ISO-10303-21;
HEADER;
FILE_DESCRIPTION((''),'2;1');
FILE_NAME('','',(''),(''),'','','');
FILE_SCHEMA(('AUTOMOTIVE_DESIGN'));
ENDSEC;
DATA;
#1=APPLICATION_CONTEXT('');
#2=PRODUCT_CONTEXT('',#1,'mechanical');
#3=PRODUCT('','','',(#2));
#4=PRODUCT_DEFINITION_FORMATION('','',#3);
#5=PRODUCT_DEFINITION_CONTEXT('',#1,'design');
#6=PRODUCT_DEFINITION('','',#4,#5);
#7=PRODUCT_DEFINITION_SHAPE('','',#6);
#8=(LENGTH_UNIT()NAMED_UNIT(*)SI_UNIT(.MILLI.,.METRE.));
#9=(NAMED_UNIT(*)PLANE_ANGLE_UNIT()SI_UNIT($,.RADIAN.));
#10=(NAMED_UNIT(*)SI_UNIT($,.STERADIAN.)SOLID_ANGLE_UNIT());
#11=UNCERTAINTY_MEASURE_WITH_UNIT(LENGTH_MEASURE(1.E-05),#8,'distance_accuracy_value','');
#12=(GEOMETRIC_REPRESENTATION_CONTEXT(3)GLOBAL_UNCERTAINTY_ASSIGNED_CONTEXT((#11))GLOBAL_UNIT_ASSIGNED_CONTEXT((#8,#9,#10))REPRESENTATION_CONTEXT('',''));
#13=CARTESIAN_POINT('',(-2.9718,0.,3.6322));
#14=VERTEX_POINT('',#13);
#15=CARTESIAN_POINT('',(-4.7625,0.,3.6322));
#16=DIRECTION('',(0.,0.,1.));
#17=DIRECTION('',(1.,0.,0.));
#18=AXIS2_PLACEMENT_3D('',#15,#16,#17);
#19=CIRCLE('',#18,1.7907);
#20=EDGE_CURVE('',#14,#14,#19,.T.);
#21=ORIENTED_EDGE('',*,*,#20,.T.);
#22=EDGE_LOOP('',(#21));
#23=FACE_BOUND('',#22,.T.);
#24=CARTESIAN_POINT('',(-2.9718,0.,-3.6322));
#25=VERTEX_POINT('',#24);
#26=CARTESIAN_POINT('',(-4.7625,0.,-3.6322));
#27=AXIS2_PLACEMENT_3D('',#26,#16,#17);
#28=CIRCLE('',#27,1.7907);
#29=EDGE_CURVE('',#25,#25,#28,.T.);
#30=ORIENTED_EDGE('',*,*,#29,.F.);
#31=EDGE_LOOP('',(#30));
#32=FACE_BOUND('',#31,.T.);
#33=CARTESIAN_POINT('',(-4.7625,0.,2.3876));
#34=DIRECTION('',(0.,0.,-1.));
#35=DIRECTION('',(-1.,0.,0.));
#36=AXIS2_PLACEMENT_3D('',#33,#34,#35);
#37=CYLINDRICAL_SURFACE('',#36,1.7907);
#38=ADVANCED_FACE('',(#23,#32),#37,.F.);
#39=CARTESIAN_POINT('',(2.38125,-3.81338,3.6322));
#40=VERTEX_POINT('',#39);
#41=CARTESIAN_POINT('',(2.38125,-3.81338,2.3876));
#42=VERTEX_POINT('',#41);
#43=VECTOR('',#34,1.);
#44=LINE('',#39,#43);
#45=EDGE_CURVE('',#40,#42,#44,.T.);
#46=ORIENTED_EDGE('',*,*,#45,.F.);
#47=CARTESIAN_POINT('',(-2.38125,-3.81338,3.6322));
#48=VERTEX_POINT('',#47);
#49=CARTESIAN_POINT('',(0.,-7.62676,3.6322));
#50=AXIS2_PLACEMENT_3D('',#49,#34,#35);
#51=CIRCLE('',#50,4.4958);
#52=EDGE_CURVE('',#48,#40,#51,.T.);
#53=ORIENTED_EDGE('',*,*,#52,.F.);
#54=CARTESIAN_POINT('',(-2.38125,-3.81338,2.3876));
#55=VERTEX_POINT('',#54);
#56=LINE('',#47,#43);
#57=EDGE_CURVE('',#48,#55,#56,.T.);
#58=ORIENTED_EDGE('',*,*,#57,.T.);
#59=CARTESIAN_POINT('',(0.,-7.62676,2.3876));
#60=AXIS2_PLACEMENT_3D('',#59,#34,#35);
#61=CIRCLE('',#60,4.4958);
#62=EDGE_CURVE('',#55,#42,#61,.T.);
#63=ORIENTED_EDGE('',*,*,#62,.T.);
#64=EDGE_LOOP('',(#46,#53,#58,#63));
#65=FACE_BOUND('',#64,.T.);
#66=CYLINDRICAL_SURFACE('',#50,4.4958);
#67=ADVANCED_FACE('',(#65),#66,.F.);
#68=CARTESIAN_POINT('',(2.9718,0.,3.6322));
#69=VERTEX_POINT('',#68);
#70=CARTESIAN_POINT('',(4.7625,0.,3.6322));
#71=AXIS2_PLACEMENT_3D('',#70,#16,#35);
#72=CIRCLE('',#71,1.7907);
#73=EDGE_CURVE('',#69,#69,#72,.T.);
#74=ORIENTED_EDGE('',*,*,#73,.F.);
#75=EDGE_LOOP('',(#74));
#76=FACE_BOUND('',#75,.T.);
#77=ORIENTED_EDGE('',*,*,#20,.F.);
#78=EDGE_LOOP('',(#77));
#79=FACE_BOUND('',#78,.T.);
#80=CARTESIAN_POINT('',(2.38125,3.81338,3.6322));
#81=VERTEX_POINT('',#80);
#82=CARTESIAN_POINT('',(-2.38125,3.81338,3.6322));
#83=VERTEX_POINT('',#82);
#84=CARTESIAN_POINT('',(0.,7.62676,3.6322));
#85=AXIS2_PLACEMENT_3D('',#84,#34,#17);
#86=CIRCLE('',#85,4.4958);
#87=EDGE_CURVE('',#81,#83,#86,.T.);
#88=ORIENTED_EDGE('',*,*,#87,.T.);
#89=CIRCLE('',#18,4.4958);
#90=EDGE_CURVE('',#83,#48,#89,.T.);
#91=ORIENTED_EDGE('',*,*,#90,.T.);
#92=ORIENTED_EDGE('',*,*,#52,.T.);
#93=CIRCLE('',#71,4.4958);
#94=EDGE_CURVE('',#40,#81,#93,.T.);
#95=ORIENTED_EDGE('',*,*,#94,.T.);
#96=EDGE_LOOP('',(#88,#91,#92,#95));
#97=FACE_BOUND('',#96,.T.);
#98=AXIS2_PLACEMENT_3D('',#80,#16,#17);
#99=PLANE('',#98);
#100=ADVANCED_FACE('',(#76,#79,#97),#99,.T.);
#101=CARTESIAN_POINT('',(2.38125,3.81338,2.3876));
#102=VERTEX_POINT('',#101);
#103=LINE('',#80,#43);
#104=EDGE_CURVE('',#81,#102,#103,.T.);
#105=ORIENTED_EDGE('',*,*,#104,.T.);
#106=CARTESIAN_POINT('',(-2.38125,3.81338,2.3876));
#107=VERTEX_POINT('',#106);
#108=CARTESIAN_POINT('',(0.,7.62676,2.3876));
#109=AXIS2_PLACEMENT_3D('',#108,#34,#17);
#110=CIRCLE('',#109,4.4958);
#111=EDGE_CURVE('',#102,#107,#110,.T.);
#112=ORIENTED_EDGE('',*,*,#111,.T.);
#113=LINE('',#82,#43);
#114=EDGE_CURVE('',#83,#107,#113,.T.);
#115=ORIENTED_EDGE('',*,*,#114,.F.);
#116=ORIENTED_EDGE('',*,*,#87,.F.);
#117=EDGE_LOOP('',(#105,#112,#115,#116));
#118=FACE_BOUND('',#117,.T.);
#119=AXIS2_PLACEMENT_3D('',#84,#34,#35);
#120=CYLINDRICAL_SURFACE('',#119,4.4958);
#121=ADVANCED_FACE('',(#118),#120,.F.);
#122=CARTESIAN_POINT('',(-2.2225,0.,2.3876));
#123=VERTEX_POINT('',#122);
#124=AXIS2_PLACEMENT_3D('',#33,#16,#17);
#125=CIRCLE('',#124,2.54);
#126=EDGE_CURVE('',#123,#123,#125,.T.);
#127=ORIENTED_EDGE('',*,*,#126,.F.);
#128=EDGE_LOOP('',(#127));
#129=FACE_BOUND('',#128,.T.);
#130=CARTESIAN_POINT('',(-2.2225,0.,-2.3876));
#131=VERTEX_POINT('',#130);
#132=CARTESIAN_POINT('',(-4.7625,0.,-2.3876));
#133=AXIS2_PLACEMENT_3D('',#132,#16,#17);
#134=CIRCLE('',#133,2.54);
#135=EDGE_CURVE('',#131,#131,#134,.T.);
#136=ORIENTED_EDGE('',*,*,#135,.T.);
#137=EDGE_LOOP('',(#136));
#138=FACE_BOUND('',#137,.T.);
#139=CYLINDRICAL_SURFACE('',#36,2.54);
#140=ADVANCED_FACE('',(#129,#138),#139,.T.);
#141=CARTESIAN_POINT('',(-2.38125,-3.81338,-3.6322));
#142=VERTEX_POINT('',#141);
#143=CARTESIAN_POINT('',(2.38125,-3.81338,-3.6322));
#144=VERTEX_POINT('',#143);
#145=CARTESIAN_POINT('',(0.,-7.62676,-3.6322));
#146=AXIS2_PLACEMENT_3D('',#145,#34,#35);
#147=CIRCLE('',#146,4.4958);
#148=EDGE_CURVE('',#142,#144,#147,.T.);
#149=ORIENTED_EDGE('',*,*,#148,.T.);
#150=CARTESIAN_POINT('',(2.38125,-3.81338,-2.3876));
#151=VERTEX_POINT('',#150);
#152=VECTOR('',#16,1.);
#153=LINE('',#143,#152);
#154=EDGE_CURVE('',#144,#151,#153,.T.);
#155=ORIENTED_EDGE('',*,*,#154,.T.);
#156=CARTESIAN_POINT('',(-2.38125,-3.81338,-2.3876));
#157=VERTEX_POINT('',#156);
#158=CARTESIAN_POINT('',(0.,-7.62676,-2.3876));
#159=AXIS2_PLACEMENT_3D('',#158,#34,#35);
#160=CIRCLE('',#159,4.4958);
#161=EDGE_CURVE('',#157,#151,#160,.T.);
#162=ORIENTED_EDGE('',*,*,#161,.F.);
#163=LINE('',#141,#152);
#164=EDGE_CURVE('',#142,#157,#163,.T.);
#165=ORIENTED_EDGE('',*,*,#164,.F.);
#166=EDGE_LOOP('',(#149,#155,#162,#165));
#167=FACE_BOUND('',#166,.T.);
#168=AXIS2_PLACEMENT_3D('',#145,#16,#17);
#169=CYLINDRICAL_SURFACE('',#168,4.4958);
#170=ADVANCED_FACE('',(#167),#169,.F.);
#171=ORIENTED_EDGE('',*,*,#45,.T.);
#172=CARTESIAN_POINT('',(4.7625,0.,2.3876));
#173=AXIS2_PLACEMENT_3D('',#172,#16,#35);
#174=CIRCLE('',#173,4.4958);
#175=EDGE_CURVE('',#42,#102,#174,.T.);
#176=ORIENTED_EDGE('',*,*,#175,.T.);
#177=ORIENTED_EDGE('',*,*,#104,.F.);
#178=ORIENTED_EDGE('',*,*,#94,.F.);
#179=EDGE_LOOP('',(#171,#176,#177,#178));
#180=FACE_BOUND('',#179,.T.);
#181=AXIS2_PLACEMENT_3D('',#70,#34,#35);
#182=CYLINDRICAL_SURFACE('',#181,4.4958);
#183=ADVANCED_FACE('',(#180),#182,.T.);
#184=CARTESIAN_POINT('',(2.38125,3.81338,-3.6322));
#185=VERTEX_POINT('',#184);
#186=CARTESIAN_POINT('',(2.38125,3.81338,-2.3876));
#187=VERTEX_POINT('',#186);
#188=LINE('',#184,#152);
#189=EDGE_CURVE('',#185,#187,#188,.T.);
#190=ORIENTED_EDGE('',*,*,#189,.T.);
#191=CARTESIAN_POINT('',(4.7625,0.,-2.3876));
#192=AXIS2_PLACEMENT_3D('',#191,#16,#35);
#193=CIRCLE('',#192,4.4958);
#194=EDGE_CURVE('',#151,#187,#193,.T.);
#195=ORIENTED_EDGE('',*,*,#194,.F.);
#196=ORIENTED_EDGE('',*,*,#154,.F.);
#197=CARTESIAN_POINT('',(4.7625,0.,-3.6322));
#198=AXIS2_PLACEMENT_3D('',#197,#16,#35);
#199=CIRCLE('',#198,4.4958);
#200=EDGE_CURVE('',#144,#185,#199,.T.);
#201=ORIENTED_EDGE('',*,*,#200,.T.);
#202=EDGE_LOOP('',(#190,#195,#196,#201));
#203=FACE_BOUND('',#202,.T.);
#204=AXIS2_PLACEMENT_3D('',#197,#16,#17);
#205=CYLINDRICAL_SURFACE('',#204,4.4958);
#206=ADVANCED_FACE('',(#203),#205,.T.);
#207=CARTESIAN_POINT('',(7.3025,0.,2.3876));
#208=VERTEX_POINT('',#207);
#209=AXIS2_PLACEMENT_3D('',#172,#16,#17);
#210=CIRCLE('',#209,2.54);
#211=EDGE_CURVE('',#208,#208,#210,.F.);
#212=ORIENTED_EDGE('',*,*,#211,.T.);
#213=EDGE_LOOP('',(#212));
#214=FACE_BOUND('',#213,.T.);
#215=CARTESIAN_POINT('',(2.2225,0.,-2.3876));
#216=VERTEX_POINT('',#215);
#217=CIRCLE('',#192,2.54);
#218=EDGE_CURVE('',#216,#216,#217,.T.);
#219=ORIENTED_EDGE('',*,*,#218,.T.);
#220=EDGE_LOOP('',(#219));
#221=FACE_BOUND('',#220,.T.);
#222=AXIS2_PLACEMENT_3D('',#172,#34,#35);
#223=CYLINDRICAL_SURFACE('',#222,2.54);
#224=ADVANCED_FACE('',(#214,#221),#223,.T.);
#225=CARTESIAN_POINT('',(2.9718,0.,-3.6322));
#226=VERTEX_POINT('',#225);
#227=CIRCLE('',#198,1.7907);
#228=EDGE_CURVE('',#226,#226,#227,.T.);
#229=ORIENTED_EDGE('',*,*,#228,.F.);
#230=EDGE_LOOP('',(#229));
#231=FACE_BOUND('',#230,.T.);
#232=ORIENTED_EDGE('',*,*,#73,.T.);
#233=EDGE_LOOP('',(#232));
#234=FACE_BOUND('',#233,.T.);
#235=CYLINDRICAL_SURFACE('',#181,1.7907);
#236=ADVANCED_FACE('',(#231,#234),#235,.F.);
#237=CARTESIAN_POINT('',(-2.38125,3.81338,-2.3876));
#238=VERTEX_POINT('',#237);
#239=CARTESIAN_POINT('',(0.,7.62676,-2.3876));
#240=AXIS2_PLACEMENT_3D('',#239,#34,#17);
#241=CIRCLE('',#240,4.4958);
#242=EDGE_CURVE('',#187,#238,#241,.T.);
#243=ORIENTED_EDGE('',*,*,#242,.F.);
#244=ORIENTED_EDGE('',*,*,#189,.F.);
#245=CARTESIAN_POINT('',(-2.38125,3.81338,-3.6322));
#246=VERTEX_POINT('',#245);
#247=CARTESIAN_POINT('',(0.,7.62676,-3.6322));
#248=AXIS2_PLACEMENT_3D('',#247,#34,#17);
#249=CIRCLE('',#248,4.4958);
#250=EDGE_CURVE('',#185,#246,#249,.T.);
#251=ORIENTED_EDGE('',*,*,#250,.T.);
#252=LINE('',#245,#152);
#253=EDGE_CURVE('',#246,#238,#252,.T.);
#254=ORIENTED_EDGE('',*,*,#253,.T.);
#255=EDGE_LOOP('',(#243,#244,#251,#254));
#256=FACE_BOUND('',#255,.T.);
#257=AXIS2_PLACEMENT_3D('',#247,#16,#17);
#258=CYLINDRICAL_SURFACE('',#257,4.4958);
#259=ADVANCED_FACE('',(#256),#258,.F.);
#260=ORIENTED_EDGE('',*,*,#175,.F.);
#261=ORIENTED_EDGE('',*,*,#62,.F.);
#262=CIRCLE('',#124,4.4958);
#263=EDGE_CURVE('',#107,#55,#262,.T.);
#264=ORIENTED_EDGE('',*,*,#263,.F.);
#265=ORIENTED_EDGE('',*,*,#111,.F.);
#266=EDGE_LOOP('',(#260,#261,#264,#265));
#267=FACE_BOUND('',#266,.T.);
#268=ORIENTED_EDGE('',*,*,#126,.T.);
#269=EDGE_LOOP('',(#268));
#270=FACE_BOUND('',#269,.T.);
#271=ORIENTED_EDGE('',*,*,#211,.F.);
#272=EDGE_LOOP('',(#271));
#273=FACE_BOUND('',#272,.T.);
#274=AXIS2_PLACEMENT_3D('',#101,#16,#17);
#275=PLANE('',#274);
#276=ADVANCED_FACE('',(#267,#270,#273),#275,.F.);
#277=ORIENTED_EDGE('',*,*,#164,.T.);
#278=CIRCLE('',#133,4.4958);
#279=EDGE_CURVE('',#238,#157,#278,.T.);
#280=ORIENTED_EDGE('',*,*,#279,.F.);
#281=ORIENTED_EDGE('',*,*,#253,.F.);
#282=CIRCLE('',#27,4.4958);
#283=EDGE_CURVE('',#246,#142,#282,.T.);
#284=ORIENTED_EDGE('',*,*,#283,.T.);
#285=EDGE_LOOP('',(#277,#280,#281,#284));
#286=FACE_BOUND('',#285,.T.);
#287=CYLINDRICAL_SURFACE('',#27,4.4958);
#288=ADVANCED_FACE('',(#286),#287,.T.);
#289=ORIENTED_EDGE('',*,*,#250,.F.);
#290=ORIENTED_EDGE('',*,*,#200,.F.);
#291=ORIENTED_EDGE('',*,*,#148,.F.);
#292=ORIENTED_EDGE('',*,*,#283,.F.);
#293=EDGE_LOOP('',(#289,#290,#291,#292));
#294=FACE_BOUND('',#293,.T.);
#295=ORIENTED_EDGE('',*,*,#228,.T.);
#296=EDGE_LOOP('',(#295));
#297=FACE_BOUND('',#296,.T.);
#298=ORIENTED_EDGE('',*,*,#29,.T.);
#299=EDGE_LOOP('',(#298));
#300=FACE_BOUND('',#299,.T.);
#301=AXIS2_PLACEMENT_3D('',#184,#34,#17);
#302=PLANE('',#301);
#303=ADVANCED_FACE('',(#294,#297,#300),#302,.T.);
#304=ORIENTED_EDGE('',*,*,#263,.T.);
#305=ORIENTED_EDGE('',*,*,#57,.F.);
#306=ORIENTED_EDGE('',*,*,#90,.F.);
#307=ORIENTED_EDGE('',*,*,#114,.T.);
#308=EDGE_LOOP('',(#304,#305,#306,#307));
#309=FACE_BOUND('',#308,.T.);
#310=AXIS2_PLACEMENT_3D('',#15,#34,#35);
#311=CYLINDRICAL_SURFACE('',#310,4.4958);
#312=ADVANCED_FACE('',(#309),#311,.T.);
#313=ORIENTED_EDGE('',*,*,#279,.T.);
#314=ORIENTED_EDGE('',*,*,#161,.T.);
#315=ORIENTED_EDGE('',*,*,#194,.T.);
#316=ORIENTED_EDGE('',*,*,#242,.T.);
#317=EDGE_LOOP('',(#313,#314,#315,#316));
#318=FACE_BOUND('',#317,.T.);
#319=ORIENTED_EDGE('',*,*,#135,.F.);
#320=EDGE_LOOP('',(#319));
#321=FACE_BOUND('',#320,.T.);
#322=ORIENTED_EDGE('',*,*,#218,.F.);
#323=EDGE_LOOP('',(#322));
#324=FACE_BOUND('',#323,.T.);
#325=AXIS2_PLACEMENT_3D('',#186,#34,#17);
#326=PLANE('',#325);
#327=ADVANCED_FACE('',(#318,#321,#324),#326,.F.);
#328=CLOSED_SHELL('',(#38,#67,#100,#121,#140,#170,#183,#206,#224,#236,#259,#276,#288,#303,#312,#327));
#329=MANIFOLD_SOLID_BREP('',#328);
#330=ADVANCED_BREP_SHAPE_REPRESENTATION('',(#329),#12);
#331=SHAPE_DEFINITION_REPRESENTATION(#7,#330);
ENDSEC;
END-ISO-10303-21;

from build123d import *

# Parameters (mm, degrees)
SKETCH1_R             = 2.54
SKETCH1_R_2           = 1.7907
BOSS_EXTRUDE1_DEPTH   = 2.3876
BOSS_EXTRUDE1_2_DEPTH = 2.3876
SKETCH3_R             = 1.7907
BOSS_EXTRUDE2_DEPTH   = 1.2446


with BuildPart() as part:
    # Sketch1 → Boss-Extrude1 (new body, symmetric)
    with BuildSketch(Plane.XY):
        with Locations((-4.7625, 0)):
            Circle(SKETCH1_R)
        with Locations((-4.7625, 0)):
            Circle(SKETCH1_R_2, mode=Mode.SUBTRACT)
    extrude(amount=BOSS_EXTRUDE1_DEPTH, both=True)



with BuildPart() as body_2:
    # Sketch1 → Boss-Extrude1 2 (new body, symmetric)
    with BuildSketch(Plane.XY):
        with Locations((4.7625, 0)):
            Circle(SKETCH1_R)
        with Locations((4.7625, 0)):
            Circle(SKETCH1_R_2, mode=Mode.SUBTRACT)
    extrude(amount=BOSS_EXTRUDE1_2_DEPTH, both=True)


with BuildPart() as part_1:
    add(part.part)

    add(body_2.part)  # Boss-Extrude2 merges body 2
    # Sketch3 → Boss-Extrude2 (add)
    with BuildSketch(Plane.XY.offset(2.3876)):
        with BuildLine():
            ThreePointArc((-2.38125, 3.813379876), (-9.2583, 0), (-2.38125, -3.813379876))
            ThreePointArc((-2.38125, -3.813379876), (0, -3.130959752), (2.38125, -3.813379876))
            ThreePointArc((2.38125, -3.813379876), (9.2583, 0), (2.38125, 3.813379876))
            ThreePointArc((2.38125, 3.813379876), (0, 3.130959752), (-2.38125, 3.813379876))
        make_face()
        with Locations((-4.7625, 0)):
            Circle(SKETCH3_R, mode=Mode.SUBTRACT)
        with Locations((4.7625, 0)):
            Circle(SKETCH3_R, mode=Mode.SUBTRACT)
    boss_extrude2 = extrude(amount=BOSS_EXTRUDE2_DEPTH)

    # Mirror3: Boss-Extrude2 across plane
    add(boss_extrude2.mirror(Plane.XY))


solid = part_1.part
